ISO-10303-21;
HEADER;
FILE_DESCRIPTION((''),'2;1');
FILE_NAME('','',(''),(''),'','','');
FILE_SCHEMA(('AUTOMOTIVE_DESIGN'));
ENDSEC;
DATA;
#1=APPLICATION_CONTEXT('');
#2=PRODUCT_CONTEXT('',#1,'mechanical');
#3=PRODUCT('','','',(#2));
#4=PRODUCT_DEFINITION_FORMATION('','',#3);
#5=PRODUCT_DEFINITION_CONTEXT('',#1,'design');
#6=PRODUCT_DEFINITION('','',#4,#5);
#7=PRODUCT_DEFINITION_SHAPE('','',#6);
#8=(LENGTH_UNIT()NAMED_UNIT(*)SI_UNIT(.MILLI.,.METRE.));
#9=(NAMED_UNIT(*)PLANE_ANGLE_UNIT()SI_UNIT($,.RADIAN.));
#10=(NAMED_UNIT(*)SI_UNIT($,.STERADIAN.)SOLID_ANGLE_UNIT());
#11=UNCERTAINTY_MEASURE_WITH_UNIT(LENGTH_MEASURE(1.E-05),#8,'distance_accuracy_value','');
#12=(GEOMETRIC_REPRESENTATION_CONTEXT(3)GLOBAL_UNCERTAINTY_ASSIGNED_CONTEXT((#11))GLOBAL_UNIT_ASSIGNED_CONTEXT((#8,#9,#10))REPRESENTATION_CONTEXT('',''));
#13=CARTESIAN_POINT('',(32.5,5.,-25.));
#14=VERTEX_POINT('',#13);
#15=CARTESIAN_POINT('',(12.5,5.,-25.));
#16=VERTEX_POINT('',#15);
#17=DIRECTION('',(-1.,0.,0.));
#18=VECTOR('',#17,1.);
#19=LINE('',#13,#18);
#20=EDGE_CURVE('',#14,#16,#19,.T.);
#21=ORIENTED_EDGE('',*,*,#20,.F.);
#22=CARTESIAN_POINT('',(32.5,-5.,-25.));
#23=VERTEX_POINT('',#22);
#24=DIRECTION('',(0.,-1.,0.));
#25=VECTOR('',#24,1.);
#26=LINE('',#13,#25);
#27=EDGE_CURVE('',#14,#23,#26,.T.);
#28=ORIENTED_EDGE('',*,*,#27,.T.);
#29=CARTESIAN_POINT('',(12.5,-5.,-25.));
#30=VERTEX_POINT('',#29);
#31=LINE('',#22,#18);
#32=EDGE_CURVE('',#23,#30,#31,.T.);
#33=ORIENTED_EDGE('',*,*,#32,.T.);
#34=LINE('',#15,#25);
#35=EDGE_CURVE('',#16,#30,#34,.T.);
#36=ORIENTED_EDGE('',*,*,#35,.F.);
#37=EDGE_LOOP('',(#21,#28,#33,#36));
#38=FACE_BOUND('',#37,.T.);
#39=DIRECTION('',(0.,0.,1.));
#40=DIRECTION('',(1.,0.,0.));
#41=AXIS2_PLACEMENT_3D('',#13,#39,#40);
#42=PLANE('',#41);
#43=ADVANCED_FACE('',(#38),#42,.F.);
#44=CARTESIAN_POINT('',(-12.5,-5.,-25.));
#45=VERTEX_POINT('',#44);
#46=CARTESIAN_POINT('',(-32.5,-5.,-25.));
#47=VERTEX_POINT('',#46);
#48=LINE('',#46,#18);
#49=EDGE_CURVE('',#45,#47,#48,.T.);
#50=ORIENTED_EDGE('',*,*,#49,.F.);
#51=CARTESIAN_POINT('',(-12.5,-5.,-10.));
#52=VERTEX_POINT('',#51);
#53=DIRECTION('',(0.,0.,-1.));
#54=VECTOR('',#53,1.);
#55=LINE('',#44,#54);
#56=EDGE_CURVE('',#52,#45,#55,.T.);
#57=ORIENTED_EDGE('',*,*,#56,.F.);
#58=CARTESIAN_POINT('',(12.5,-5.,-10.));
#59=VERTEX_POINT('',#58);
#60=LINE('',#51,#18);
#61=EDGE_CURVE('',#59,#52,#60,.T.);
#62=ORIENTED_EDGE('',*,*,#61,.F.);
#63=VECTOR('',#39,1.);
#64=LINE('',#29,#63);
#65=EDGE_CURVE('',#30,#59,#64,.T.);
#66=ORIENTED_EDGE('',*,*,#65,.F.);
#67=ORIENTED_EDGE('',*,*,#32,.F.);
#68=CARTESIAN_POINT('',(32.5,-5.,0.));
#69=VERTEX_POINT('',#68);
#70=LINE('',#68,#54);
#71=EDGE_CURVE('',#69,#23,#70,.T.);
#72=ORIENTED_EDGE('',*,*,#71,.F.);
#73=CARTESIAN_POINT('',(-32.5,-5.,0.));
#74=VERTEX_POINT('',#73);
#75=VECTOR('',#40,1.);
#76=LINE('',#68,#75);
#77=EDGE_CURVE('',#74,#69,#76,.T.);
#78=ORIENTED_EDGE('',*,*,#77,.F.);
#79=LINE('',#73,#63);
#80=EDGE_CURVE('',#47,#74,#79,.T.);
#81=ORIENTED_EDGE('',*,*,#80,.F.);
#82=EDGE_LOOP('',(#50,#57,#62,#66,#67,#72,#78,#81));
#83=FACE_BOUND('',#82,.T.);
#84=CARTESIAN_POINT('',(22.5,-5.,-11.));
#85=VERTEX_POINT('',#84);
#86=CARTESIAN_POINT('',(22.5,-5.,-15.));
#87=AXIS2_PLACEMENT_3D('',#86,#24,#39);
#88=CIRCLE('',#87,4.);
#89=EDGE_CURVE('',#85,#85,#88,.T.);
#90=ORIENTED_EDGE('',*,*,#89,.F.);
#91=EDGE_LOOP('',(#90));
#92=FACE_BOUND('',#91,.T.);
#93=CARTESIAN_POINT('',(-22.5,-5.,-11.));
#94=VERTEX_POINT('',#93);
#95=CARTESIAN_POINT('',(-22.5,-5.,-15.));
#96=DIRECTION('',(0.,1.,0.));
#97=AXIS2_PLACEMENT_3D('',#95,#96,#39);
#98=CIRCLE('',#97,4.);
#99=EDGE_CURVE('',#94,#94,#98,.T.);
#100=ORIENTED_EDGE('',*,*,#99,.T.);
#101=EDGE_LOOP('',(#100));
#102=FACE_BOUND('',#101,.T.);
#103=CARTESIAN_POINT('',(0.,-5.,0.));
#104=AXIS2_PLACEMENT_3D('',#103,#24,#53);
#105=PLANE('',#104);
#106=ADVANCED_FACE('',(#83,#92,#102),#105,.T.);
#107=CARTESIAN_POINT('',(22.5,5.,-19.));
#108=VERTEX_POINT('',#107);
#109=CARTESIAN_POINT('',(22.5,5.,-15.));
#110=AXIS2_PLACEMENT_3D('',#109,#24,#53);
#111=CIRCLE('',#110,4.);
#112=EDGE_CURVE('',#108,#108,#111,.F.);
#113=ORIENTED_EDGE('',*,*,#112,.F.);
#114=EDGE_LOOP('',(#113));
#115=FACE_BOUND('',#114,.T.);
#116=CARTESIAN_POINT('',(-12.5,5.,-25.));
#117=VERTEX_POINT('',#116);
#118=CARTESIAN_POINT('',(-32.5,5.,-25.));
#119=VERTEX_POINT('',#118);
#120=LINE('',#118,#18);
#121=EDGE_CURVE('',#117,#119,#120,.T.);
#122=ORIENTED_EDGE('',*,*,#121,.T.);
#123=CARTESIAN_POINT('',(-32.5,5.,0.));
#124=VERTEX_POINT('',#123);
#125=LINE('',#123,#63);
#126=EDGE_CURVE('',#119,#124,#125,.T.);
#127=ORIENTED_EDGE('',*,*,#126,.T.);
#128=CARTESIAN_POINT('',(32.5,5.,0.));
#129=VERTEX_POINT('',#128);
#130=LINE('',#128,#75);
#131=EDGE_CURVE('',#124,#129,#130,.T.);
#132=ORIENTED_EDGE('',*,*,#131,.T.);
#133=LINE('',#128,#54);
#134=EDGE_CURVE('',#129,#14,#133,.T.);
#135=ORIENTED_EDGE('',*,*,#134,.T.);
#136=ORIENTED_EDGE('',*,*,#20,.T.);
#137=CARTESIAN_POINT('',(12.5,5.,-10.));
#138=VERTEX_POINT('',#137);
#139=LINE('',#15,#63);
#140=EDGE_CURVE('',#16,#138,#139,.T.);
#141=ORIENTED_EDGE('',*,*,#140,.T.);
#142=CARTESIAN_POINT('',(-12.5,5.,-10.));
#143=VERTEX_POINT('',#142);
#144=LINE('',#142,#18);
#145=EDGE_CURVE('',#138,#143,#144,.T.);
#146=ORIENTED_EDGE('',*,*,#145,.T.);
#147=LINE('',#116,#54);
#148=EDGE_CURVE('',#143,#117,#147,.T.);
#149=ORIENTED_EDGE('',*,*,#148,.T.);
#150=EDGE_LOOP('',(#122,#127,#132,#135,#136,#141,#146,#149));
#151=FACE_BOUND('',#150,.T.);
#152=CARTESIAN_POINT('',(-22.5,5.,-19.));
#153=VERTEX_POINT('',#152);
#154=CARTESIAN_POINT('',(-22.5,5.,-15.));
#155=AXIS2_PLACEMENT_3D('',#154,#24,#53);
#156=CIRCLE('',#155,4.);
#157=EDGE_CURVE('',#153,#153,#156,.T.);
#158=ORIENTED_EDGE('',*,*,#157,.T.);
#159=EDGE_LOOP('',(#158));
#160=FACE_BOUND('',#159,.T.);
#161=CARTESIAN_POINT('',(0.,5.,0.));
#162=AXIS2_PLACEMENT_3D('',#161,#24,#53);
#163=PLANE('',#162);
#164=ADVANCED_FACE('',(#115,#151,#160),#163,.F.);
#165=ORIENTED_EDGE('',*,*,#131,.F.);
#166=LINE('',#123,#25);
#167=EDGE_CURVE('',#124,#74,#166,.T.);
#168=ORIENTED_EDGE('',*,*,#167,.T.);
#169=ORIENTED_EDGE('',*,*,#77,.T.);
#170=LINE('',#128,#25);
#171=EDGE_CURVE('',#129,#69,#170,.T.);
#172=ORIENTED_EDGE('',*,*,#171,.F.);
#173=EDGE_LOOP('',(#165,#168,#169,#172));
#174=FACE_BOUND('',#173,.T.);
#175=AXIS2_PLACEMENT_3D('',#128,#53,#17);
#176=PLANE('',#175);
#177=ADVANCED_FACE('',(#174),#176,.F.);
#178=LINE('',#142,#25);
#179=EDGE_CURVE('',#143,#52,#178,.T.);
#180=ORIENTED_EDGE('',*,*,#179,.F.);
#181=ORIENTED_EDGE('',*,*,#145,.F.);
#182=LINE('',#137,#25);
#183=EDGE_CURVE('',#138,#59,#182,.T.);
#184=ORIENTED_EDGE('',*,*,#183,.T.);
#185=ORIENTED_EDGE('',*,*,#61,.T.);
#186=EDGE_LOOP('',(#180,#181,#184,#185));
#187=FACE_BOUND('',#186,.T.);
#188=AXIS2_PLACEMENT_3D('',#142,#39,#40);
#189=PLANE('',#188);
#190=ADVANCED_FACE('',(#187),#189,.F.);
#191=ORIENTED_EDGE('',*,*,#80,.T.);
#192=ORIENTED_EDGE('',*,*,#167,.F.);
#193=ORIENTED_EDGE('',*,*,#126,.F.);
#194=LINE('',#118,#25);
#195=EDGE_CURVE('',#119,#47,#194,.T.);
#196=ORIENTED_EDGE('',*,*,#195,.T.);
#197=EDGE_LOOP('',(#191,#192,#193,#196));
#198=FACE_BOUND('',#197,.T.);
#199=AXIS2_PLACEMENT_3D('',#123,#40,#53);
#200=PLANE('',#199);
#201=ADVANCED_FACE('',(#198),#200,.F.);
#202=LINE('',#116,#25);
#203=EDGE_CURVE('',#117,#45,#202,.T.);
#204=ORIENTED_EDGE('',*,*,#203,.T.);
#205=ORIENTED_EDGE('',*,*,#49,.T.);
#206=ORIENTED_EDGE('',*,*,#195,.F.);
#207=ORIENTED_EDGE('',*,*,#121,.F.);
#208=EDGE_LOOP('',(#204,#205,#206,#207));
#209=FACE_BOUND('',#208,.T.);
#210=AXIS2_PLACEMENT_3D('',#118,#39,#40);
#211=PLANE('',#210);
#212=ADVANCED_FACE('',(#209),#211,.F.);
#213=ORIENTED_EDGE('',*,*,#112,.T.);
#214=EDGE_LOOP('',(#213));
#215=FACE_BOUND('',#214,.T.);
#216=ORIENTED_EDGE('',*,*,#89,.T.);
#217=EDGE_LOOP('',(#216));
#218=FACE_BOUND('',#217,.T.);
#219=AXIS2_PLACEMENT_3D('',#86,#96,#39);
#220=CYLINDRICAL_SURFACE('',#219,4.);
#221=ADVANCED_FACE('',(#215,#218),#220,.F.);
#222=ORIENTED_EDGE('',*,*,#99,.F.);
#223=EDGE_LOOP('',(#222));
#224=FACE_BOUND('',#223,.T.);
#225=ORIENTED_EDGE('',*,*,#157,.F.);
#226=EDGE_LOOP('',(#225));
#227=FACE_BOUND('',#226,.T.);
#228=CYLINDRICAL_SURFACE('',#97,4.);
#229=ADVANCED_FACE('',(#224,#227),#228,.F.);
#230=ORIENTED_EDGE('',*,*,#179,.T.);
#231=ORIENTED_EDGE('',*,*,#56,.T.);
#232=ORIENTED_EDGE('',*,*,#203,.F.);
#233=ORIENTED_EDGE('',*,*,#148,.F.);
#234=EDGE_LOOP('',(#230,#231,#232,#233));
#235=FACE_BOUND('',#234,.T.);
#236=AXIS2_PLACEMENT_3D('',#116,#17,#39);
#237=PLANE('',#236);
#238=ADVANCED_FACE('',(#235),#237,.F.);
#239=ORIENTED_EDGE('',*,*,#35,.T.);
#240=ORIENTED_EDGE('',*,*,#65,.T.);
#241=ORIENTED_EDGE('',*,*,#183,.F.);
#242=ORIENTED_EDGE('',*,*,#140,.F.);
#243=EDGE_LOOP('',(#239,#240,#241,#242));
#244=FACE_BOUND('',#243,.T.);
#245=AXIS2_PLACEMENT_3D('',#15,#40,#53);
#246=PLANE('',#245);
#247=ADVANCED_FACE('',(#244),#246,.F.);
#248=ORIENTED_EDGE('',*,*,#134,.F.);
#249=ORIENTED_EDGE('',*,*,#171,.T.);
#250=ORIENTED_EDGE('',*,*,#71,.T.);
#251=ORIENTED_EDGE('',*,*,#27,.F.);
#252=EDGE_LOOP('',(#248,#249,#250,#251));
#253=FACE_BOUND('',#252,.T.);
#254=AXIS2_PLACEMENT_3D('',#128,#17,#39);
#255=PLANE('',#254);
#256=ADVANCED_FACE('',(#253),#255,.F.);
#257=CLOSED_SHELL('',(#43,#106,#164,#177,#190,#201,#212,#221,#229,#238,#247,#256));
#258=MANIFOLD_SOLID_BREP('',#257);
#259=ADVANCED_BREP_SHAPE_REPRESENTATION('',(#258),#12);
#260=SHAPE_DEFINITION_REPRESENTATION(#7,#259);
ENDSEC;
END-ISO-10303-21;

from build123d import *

# Parameters (mm, degrees)
BOSS_EXTRUDE1_DEPTH = 5
SKETCH2_R           = 4
CUT_EXTRUDE1_DEPTH  = 43.20485754


with BuildPart() as part:
    # Sketch1 → Boss-Extrude1 (new, symmetric)
    with BuildSketch(Plane(origin=(0, 0, 0), x_dir=(1, 0, 0), z_dir=(0, 1, 0))):
        Polygon((32.5, 0), (-32.5, 0), (-32.5, 25), (-12.5, 25), (-12.5, 10), (12.5, 10), (12.5, 25), (32.5, 25), align=None)
    extrude(amount=BOSS_EXTRUDE1_DEPTH, both=True)

    # Sketch2 → Cut-Extrude1 (cut, symmetric)
    with BuildSketch(Plane(origin=(0, 5, 0), x_dir=(1, 0, 0), z_dir=(0, 1, 0))):
        with Locations(Location((-22.5, 15, 0), (0, 0, 270))):
            Circle(SKETCH2_R)
    cut_extrude1 = extrude(amount=CUT_EXTRUDE1_DEPTH, both=True, mode=Mode.SUBTRACT)

    # Mirror1: Cut-Extrude1 across plane
    add(cut_extrude1.mirror(Plane(origin=(0, 0, 0), x_dir=(0, 0, 1), z_dir=(1, 0, 0))), mode=Mode.SUBTRACT)


solid = part.part
